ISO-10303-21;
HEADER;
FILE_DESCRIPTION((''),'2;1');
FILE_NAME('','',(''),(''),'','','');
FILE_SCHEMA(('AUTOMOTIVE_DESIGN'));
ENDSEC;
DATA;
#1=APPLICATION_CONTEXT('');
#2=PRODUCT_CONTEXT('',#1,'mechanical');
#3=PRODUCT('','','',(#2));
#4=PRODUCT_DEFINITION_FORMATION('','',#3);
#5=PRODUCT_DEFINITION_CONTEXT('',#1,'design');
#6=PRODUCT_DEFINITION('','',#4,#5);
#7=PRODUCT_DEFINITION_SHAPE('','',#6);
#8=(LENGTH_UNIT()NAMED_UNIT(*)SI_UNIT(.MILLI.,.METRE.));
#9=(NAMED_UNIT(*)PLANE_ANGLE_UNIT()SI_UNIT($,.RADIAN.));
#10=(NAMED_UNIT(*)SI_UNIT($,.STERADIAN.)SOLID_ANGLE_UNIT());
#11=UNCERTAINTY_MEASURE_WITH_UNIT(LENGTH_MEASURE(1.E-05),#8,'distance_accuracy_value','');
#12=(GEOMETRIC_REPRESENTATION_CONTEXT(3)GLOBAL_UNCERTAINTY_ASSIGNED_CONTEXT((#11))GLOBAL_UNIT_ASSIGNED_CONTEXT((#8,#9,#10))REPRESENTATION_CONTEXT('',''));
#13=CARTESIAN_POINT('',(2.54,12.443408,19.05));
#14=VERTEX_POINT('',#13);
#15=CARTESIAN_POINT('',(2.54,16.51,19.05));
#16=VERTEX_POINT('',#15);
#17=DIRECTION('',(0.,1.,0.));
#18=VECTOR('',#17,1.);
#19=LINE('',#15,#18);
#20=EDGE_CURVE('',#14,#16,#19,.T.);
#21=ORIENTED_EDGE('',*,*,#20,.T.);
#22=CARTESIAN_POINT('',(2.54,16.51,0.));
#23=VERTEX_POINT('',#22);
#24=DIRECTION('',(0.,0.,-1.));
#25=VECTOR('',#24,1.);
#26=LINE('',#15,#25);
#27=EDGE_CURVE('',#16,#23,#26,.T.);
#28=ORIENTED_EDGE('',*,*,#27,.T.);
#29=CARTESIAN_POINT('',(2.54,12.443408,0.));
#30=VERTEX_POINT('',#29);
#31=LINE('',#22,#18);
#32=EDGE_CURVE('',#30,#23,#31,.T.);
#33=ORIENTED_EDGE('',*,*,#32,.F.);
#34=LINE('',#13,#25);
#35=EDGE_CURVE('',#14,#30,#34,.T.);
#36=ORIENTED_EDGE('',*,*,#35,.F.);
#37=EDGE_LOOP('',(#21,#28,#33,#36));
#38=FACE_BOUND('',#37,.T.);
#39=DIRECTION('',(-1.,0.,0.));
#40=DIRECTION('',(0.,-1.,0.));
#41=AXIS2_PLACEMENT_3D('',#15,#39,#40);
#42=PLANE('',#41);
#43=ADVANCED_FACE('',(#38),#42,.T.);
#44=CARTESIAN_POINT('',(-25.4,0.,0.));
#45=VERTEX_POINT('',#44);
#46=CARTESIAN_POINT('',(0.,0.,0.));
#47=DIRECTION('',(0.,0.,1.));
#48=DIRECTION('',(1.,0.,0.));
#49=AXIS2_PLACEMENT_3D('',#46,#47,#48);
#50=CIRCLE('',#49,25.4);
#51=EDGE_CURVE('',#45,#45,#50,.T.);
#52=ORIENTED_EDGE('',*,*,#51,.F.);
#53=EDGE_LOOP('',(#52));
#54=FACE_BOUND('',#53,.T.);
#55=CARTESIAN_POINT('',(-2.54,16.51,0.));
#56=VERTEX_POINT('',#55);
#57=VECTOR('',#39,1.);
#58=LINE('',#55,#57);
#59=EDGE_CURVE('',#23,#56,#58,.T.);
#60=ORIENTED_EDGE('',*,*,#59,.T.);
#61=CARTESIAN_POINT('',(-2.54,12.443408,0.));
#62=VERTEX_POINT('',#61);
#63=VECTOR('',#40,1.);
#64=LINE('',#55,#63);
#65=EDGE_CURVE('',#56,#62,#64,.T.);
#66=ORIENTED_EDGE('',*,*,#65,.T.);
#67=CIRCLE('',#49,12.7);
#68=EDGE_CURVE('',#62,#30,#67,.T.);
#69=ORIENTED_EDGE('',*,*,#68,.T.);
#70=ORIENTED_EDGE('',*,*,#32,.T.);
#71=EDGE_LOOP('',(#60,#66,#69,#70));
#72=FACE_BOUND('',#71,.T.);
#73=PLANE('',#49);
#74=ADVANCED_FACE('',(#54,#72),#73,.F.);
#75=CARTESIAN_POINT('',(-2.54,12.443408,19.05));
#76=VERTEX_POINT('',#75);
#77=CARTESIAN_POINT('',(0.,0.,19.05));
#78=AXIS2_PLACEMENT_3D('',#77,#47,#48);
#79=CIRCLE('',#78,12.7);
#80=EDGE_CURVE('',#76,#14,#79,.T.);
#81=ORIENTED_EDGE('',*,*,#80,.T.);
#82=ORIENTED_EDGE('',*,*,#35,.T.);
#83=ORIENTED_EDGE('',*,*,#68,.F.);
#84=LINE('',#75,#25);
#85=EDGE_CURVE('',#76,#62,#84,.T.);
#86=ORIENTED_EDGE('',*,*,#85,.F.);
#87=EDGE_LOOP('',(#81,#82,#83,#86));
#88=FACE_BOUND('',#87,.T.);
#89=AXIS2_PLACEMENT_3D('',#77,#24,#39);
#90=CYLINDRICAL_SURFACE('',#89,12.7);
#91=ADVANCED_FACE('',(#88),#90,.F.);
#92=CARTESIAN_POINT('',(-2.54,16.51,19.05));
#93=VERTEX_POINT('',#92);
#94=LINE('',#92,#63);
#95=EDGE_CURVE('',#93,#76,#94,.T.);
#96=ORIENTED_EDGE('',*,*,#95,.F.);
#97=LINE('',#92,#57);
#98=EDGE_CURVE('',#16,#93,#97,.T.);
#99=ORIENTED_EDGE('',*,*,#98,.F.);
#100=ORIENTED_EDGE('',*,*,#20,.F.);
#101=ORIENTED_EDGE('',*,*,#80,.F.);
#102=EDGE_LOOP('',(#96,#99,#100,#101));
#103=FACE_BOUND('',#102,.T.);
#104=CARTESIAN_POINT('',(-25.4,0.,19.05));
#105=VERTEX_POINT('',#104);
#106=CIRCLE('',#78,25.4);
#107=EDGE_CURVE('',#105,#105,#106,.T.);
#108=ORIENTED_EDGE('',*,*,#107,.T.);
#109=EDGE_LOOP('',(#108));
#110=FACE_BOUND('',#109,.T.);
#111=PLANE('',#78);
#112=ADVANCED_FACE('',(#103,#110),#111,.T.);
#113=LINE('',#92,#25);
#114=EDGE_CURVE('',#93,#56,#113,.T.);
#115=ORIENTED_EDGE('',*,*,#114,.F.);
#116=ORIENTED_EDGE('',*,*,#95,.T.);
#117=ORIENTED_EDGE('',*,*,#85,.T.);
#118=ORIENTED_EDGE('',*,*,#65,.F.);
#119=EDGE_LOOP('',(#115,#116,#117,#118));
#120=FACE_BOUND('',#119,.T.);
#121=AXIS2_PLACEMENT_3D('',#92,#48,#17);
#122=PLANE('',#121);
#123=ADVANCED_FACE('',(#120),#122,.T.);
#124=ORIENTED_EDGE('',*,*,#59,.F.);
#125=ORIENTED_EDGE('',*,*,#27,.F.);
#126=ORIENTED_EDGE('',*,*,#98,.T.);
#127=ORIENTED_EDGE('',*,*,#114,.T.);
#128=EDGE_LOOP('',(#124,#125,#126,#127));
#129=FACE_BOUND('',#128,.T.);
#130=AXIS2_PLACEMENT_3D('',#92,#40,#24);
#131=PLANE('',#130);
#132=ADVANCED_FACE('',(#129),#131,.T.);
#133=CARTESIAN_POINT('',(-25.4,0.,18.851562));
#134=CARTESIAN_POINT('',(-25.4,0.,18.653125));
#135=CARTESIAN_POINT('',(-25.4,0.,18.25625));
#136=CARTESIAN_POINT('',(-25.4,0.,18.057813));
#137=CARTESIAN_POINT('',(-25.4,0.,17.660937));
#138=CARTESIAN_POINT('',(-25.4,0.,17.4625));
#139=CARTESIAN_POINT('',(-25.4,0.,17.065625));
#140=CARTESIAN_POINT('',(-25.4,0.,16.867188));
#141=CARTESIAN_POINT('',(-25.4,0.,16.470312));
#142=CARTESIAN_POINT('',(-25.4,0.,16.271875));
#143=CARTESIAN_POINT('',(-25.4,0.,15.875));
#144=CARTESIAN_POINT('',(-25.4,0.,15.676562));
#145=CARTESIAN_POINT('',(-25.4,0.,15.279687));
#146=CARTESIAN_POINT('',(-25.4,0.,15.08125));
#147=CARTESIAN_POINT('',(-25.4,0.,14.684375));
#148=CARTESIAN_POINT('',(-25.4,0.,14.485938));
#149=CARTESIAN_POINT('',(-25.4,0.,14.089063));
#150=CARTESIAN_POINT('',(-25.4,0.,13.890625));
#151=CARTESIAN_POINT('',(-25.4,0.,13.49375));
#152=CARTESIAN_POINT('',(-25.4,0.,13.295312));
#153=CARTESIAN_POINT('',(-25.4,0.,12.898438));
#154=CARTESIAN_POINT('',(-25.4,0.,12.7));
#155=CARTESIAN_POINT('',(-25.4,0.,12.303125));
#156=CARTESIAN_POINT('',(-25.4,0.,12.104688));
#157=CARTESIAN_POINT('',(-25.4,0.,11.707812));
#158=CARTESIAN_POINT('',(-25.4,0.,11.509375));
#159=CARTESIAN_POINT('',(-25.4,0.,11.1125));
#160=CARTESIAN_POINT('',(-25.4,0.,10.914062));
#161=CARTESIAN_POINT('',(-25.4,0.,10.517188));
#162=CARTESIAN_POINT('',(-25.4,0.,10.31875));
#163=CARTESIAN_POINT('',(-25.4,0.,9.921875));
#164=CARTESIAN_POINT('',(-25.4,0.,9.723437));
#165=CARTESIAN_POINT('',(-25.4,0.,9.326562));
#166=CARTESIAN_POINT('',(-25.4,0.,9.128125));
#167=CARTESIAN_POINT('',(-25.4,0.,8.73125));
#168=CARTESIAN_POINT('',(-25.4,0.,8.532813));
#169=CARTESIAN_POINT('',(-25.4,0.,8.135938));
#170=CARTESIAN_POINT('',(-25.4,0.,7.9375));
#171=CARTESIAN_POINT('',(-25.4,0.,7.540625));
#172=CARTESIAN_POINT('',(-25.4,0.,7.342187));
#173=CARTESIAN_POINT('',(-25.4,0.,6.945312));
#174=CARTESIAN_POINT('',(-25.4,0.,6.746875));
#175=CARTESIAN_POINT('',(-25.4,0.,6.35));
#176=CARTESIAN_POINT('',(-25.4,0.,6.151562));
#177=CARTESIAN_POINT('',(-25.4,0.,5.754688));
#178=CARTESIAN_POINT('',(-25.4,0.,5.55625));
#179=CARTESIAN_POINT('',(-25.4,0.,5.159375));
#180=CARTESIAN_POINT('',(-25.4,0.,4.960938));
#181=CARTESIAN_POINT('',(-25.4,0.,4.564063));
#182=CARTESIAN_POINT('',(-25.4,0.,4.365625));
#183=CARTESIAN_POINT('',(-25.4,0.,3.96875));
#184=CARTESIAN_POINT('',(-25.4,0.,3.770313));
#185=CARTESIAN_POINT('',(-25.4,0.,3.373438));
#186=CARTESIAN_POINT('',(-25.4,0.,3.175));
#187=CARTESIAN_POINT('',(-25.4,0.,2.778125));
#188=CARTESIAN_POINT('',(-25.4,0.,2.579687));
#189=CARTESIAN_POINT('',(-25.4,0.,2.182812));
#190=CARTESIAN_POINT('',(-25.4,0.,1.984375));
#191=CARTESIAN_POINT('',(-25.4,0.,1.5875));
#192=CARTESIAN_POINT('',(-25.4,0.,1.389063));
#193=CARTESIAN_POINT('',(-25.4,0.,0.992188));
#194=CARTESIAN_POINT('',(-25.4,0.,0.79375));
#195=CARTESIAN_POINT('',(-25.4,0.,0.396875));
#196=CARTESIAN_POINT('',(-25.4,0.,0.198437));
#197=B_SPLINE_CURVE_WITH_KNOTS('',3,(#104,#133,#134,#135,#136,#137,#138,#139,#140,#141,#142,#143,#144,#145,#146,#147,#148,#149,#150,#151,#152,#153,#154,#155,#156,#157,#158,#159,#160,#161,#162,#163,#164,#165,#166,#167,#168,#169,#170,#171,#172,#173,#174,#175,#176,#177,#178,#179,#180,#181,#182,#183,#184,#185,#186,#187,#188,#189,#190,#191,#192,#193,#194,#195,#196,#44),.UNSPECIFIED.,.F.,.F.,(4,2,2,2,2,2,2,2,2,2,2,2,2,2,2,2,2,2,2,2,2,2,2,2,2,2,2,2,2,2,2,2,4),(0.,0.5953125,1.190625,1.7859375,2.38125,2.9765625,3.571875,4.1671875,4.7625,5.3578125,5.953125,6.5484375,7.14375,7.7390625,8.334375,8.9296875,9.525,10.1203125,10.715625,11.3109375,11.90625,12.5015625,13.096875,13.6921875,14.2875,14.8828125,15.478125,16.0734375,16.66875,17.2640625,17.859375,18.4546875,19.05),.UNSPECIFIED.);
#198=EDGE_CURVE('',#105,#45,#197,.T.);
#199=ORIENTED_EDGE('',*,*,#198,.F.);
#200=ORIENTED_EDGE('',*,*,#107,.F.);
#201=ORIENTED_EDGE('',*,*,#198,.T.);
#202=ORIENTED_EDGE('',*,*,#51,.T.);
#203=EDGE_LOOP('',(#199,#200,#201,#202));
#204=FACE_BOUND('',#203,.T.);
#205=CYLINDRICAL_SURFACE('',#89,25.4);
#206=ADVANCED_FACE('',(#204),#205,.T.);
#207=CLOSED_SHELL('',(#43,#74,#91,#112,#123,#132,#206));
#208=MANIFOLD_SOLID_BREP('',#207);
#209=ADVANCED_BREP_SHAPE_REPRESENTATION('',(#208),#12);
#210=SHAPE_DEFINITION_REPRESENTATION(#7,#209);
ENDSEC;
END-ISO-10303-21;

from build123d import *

# Parameters (mm, degrees)
SKETCH3_R           = 25.4
BOSS_EXTRUDE1_DEPTH = 19.05


with BuildPart() as part:
    # Sketch3 → Boss-Extrude1 (new body)
    with BuildSketch(Plane.XY):
        with Locations(Location((0, 0, 0), (0, 0, 180))):
            Circle(SKETCH3_R)
        with BuildLine():
            Line((-2.54, 16.51), (2.54, 16.51))
            Line((2.54, 16.51), (2.54, 12.443407893))
            ThreePointArc((2.54, 12.443407893), (0, -12.7), (-2.54, 12.443407893))
            Line((-2.54, 12.443407893), (-2.54, 16.51))
        make_face(mode=Mode.SUBTRACT)
    extrude(amount=BOSS_EXTRUDE1_DEPTH)


solid = part.part
